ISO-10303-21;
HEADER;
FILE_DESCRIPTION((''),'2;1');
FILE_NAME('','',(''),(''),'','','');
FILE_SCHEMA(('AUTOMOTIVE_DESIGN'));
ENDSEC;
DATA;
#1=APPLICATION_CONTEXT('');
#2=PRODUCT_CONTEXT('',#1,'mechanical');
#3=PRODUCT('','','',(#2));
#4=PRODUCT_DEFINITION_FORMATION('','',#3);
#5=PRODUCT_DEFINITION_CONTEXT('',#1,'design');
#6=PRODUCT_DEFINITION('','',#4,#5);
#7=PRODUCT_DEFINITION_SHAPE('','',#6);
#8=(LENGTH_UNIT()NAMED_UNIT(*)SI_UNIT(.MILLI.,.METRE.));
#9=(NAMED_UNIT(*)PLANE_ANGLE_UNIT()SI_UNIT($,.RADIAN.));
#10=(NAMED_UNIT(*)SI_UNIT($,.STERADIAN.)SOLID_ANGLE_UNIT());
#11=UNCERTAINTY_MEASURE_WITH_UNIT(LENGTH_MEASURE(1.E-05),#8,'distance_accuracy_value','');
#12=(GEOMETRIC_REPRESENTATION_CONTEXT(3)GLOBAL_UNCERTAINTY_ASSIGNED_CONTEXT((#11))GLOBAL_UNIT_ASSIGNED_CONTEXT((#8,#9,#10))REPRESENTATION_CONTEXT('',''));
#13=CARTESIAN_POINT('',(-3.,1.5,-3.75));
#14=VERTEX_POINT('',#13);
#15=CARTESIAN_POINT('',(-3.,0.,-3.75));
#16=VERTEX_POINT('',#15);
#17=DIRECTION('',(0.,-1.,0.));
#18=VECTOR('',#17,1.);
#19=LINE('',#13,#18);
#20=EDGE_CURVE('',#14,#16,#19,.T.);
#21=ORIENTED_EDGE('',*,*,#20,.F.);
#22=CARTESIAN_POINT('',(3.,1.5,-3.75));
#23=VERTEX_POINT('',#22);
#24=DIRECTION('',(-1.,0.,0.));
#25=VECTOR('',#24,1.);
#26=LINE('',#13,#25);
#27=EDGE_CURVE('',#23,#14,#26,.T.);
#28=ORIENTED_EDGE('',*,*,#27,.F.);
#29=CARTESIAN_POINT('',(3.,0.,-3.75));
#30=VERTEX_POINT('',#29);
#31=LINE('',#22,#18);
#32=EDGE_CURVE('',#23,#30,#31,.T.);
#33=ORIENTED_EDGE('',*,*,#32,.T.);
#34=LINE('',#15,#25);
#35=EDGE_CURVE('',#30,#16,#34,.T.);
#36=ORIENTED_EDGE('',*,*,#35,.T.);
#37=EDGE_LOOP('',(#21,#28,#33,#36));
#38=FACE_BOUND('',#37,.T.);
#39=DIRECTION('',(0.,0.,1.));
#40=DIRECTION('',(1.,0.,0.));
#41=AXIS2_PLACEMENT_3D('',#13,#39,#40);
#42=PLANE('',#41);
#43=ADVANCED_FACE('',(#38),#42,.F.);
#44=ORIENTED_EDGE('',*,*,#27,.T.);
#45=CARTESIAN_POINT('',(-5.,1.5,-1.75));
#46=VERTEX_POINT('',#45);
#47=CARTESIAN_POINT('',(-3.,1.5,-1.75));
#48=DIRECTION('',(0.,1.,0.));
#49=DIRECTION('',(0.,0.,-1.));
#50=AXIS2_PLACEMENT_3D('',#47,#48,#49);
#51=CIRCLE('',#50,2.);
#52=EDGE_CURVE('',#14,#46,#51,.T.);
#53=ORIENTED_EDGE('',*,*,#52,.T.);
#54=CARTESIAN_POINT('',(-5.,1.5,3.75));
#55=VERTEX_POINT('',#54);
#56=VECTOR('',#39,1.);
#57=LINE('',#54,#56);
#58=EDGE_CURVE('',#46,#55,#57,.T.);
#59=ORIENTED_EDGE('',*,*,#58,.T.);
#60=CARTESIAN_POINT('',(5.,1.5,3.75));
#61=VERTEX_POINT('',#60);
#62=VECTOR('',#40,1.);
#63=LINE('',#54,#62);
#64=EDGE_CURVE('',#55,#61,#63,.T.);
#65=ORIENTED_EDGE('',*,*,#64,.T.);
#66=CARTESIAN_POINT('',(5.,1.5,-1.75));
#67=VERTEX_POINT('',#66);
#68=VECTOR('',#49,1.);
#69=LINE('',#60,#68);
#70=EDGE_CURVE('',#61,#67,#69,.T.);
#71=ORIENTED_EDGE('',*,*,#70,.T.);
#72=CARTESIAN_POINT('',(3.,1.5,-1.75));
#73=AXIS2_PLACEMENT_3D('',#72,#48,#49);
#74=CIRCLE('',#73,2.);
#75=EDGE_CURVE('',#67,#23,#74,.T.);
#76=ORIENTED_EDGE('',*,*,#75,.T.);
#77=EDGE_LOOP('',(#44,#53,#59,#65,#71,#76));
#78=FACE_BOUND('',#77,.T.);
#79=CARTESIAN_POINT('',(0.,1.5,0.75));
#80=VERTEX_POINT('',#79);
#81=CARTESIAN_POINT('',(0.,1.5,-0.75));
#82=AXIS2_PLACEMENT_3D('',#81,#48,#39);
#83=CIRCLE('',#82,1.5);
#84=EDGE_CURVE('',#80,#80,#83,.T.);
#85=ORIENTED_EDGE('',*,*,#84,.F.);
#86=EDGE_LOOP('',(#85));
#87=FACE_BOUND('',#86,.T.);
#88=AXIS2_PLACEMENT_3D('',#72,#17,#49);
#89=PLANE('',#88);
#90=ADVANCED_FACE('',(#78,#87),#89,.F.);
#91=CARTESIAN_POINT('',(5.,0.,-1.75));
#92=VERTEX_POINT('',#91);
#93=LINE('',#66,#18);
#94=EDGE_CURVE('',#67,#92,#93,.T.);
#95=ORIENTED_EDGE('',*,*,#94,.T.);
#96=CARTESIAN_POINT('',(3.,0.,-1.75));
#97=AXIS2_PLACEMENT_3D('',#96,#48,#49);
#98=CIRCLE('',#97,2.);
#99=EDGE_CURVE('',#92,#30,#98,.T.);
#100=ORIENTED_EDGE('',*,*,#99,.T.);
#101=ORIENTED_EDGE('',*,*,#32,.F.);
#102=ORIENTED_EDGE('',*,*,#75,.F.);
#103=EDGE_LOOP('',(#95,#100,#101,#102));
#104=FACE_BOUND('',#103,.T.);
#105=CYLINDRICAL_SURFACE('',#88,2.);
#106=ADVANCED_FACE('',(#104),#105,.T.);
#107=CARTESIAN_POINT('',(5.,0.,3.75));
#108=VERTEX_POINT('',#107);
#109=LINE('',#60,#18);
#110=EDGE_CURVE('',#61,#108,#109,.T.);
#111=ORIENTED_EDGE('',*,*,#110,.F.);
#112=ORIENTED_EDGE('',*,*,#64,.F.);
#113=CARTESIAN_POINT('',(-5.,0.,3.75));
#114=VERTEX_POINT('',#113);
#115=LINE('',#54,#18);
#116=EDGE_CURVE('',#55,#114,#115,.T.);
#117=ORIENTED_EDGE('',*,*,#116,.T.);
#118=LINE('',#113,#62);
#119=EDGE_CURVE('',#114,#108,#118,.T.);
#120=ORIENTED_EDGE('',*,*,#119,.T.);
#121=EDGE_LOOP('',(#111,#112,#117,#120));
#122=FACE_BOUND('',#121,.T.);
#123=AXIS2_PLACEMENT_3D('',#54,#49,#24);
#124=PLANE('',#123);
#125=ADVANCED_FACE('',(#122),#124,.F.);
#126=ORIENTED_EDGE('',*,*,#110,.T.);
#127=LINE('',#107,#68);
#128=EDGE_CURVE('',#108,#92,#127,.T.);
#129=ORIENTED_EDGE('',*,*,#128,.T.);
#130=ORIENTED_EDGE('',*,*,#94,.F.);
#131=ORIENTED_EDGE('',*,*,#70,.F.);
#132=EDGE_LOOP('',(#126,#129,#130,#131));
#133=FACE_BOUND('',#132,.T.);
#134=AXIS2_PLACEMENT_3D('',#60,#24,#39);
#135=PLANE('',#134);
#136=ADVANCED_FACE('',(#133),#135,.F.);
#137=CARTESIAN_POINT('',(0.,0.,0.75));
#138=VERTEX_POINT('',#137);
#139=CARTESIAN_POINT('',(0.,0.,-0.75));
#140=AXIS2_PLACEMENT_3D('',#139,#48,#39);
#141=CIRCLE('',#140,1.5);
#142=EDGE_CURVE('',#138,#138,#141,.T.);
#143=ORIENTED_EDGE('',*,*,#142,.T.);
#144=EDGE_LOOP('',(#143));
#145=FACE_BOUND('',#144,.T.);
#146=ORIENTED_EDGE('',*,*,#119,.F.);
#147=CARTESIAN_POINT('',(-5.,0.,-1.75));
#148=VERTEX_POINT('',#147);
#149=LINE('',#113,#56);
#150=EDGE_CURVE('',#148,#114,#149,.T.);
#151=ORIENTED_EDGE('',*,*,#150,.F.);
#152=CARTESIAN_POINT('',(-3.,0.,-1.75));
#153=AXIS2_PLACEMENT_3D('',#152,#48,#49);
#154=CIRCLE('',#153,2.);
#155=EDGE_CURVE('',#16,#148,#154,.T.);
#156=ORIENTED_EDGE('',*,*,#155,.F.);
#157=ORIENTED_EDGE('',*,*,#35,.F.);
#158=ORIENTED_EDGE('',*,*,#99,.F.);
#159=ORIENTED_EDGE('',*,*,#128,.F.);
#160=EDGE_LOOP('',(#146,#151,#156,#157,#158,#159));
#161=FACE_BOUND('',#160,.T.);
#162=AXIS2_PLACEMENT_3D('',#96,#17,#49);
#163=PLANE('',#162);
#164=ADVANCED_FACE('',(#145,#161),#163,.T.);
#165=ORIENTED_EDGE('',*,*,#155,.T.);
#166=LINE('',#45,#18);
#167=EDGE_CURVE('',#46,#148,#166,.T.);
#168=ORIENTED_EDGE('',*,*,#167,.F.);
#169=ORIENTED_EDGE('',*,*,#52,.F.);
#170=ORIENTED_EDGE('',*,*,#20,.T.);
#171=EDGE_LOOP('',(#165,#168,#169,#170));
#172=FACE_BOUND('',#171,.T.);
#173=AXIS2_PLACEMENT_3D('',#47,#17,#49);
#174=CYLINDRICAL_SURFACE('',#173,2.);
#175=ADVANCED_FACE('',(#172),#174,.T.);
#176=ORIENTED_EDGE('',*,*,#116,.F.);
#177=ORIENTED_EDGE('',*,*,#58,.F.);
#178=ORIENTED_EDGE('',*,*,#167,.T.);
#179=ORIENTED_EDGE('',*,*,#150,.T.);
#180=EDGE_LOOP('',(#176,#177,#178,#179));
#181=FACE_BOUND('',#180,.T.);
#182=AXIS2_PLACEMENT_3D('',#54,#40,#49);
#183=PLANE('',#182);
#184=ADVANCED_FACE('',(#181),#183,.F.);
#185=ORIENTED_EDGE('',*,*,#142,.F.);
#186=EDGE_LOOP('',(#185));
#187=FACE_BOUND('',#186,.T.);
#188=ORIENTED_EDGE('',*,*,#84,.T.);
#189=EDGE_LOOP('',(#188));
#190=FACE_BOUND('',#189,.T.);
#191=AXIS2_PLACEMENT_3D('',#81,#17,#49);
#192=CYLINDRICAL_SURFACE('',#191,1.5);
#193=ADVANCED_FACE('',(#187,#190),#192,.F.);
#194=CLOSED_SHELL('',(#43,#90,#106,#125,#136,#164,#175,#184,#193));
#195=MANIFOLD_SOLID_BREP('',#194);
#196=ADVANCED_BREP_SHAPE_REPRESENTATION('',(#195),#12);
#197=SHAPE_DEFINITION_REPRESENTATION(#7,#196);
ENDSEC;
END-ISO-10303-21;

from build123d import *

# Parameters (mm, degrees)
ESBO_O1_R                = 1.5
RESSALTO_EXTRUS_O1_DEPTH = 1.5


with BuildPart() as part:
    # Esboço1 → Ressalto-extrusão1 (new body)
    with BuildSketch(Plane(origin=(0, 0, 0), x_dir=(1, 0, 0), z_dir=(0, 1, 0))):
        with BuildLine():
            Line((-5, -3.75), (-5, 1.75))
            ThreePointArc((-5, 1.75), (-4.414213562, 3.164213562), (-3, 3.75))
            Line((-3, 3.75), (3, 3.75))
            ThreePointArc((3, 3.75), (4.414213562, 3.164213562), (5, 1.75))
            Line((5, 1.75), (5, -3.75))
            Line((5, -3.75), (-5, -3.75))
        make_face()
        with Locations(Location((0, 0.75, 0), (0, 0, 270))):
            Circle(ESBO_O1_R, mode=Mode.SUBTRACT)
    extrude(amount=RESSALTO_EXTRUS_O1_DEPTH)


solid = part.part
